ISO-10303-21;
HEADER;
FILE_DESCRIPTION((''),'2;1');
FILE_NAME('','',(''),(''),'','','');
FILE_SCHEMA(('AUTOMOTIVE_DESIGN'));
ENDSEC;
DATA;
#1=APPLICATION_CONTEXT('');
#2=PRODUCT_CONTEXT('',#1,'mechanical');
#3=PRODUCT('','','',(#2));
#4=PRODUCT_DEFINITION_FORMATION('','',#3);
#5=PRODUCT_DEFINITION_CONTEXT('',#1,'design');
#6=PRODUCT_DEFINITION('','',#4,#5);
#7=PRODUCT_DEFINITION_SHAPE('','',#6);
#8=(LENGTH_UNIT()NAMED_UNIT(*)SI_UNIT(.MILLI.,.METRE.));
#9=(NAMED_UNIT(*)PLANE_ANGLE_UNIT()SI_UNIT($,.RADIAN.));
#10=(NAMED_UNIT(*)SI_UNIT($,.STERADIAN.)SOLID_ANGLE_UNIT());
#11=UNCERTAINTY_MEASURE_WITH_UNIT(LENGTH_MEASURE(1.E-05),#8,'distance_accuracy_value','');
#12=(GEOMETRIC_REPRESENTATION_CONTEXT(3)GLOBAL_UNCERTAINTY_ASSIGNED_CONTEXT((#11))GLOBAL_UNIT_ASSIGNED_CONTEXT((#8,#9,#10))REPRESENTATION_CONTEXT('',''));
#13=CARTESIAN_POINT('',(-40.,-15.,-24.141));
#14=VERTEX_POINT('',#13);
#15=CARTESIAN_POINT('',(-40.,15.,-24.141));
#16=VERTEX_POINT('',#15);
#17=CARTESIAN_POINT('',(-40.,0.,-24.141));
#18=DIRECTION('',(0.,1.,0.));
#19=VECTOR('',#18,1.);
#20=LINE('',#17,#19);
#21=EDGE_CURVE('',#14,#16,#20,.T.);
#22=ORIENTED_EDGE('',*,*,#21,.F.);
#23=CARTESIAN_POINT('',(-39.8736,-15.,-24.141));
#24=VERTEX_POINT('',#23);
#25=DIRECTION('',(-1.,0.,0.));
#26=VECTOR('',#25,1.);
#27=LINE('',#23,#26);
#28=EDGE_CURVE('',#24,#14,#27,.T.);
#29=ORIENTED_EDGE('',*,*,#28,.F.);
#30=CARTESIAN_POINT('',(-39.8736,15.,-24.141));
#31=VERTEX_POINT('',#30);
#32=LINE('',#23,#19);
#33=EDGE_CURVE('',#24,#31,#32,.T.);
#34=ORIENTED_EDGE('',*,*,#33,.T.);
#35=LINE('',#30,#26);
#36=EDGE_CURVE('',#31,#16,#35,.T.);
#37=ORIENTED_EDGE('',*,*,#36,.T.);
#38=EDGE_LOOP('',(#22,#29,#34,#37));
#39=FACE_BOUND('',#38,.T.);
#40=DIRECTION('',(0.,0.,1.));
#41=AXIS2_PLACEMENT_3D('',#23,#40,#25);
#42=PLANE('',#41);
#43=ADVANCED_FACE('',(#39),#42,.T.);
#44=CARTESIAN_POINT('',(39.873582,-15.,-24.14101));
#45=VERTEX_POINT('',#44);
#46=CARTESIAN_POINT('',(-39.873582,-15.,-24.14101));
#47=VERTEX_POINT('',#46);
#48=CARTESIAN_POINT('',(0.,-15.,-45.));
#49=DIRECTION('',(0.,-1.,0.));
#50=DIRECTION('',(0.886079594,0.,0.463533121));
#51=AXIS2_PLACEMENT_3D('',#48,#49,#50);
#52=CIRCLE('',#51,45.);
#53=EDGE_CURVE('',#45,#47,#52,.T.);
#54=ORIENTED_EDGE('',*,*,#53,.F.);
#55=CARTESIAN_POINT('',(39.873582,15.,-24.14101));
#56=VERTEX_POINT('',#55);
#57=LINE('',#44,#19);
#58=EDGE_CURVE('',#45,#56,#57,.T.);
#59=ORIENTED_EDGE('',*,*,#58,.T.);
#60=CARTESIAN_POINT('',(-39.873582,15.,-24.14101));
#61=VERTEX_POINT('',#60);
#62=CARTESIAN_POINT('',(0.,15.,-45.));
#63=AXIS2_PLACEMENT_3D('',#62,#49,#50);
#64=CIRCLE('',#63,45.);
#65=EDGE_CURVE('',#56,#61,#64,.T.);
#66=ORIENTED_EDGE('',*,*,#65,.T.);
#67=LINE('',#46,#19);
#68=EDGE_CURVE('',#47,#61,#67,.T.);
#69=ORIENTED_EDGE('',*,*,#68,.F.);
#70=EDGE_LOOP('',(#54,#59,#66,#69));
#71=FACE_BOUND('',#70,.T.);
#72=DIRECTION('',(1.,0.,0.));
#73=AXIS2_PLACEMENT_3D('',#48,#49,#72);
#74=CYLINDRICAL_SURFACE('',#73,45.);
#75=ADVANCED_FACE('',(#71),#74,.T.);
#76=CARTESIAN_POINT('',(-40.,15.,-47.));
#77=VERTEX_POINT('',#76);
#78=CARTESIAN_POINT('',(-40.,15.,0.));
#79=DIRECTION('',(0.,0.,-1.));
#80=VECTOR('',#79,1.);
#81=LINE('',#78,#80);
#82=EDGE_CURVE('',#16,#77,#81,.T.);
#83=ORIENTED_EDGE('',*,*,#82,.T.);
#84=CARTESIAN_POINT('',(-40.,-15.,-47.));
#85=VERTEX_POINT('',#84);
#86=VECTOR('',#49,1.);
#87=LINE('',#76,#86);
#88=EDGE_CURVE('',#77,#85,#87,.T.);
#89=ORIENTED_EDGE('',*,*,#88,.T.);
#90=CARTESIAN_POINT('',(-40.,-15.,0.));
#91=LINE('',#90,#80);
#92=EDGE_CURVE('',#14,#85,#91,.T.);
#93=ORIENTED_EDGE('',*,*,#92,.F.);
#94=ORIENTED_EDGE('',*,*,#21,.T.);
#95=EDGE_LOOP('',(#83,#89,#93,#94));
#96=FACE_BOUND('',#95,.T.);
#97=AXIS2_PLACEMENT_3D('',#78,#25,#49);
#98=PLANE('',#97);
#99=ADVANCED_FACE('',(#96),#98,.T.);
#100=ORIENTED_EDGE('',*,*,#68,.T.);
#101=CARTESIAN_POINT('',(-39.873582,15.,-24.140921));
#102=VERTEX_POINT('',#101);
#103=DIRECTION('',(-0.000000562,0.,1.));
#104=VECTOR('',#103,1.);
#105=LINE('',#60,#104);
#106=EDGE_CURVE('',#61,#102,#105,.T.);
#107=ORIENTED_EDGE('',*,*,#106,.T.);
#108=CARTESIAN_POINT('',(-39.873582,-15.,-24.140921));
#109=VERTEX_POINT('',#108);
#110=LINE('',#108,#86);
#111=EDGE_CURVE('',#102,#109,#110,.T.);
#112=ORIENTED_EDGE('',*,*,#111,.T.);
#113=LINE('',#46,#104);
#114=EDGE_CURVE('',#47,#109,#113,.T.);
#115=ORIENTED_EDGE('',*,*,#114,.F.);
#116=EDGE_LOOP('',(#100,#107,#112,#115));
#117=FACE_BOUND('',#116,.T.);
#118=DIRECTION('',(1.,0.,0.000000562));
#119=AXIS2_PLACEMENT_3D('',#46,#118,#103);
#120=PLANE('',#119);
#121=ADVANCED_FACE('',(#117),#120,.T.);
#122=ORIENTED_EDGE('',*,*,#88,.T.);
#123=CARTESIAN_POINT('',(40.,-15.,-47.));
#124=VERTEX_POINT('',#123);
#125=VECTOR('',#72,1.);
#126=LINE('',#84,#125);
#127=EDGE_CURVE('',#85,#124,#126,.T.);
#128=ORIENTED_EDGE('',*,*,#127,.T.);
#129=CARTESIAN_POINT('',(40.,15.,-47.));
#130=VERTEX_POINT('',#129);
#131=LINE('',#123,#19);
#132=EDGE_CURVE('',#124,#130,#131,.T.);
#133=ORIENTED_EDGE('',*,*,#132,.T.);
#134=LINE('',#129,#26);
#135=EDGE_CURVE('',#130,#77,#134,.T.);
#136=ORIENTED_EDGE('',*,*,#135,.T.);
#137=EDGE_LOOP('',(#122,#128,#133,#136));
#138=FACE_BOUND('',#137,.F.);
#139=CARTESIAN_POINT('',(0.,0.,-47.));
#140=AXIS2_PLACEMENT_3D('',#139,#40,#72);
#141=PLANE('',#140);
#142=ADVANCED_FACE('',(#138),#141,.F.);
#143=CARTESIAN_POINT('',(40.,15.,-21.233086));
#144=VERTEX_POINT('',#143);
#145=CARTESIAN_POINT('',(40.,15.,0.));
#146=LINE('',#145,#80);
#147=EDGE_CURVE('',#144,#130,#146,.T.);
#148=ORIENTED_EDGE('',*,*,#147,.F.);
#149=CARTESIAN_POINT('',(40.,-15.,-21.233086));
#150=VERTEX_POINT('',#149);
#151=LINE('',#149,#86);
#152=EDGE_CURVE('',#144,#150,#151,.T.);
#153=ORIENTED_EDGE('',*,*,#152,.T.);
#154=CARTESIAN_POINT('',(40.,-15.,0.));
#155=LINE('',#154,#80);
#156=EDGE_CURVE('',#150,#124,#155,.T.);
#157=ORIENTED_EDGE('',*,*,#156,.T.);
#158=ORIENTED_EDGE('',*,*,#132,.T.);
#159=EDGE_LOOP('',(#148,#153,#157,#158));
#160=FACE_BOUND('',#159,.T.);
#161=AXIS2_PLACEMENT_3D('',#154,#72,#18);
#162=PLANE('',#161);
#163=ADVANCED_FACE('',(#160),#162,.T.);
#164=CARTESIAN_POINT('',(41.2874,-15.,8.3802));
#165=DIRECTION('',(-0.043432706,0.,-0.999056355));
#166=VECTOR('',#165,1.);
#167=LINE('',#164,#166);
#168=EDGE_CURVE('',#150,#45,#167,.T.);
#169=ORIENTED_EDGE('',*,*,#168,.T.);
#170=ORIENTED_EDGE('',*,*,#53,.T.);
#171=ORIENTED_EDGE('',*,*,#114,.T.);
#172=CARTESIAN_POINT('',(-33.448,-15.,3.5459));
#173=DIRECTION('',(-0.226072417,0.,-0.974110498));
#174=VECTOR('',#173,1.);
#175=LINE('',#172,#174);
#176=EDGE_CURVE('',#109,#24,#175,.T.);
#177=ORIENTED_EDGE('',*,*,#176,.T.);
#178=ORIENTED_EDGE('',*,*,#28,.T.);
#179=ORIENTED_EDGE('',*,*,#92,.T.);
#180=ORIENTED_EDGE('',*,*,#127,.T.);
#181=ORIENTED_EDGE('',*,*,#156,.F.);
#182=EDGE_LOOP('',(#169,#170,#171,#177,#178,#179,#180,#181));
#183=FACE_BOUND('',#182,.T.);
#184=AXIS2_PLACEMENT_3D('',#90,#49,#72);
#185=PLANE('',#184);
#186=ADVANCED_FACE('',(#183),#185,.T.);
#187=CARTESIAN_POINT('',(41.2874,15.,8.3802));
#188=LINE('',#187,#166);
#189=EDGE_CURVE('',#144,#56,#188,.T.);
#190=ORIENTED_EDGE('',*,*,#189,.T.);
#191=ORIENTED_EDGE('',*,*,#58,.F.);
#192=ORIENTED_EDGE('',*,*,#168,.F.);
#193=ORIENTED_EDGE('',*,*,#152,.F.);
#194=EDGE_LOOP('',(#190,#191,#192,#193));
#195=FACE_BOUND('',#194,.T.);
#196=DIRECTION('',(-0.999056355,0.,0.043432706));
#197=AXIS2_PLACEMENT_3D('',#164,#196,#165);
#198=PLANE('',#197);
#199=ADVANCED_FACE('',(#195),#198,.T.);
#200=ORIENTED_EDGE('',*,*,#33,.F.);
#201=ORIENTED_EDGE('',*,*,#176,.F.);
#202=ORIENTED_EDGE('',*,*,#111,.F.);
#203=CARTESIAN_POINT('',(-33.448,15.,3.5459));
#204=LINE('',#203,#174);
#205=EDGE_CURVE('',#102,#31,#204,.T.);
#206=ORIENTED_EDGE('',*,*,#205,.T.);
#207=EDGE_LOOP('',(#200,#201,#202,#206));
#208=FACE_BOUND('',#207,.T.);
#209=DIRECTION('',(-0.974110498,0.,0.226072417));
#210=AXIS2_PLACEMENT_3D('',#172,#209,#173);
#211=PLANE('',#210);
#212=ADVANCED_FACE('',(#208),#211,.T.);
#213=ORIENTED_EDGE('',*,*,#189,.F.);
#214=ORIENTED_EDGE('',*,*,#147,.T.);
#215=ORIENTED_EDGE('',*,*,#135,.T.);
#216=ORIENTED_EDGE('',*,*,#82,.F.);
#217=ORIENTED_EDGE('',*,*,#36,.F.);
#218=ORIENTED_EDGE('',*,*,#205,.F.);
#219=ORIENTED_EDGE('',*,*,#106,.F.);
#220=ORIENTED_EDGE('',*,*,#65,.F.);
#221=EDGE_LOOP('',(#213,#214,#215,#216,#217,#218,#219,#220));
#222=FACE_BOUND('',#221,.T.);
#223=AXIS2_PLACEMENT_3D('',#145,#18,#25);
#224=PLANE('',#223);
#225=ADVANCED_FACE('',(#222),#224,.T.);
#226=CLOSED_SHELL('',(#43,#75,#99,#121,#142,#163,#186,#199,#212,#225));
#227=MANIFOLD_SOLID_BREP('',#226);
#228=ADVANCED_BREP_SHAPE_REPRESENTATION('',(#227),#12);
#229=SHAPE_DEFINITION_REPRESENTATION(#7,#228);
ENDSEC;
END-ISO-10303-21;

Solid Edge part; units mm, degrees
sketch "Sketch1" plane through (0, 0, 0) normal (0, 0, 1) x (1, 0, 0)
  line L0 (-40, -15) -> (40, -15)
  line L1 (40, -15) -> (40, 15)
  line L2 (40, 15) -> (-40, 15)
  line L3 (-40, 15) -> (-40, -15)
extrude "Protrusion1" add sketch "Sketch1" against normal blind 47
sketch "Sketch2" plane through (0, -15, -23.5) normal (0, -1, 0) x (1, 0, 0)
  arc A0 (39.8736, -0.641) -> (-39.8736, -0.641) centre (0, -21.5) ccw
  line L0 (-39.8736, -0.641) -> (-39.8736, 31.8802)
  line L1 (-39.8736, 31.8802) -> (41.2874, 31.8802)
  line L2 (41.2874, 31.8802) -> (39.8736, -0.641)
extrude "Recorte_Extrudado_3" cut sketch "Sketch2" against normal blind 30
sketch "Sketch3" plane through (0, -15, -23.5) normal (0, -1, 0) x (1, 0, 0)
  line L0 (-39.8736, -0.641) -> (-45.2071, -0.641)
  line L1 (-45.2071, -0.641) -> (-45.2071, 27.0459)
  line L2 (-45.2071, 27.0459) -> (-33.448, 27.0459)
  line L3 (-33.448, 27.0459) -> (-39.8736, -0.641)
extrude "Recorte_Extrudado_4" cut sketch "Sketch3" against normal blind 30
